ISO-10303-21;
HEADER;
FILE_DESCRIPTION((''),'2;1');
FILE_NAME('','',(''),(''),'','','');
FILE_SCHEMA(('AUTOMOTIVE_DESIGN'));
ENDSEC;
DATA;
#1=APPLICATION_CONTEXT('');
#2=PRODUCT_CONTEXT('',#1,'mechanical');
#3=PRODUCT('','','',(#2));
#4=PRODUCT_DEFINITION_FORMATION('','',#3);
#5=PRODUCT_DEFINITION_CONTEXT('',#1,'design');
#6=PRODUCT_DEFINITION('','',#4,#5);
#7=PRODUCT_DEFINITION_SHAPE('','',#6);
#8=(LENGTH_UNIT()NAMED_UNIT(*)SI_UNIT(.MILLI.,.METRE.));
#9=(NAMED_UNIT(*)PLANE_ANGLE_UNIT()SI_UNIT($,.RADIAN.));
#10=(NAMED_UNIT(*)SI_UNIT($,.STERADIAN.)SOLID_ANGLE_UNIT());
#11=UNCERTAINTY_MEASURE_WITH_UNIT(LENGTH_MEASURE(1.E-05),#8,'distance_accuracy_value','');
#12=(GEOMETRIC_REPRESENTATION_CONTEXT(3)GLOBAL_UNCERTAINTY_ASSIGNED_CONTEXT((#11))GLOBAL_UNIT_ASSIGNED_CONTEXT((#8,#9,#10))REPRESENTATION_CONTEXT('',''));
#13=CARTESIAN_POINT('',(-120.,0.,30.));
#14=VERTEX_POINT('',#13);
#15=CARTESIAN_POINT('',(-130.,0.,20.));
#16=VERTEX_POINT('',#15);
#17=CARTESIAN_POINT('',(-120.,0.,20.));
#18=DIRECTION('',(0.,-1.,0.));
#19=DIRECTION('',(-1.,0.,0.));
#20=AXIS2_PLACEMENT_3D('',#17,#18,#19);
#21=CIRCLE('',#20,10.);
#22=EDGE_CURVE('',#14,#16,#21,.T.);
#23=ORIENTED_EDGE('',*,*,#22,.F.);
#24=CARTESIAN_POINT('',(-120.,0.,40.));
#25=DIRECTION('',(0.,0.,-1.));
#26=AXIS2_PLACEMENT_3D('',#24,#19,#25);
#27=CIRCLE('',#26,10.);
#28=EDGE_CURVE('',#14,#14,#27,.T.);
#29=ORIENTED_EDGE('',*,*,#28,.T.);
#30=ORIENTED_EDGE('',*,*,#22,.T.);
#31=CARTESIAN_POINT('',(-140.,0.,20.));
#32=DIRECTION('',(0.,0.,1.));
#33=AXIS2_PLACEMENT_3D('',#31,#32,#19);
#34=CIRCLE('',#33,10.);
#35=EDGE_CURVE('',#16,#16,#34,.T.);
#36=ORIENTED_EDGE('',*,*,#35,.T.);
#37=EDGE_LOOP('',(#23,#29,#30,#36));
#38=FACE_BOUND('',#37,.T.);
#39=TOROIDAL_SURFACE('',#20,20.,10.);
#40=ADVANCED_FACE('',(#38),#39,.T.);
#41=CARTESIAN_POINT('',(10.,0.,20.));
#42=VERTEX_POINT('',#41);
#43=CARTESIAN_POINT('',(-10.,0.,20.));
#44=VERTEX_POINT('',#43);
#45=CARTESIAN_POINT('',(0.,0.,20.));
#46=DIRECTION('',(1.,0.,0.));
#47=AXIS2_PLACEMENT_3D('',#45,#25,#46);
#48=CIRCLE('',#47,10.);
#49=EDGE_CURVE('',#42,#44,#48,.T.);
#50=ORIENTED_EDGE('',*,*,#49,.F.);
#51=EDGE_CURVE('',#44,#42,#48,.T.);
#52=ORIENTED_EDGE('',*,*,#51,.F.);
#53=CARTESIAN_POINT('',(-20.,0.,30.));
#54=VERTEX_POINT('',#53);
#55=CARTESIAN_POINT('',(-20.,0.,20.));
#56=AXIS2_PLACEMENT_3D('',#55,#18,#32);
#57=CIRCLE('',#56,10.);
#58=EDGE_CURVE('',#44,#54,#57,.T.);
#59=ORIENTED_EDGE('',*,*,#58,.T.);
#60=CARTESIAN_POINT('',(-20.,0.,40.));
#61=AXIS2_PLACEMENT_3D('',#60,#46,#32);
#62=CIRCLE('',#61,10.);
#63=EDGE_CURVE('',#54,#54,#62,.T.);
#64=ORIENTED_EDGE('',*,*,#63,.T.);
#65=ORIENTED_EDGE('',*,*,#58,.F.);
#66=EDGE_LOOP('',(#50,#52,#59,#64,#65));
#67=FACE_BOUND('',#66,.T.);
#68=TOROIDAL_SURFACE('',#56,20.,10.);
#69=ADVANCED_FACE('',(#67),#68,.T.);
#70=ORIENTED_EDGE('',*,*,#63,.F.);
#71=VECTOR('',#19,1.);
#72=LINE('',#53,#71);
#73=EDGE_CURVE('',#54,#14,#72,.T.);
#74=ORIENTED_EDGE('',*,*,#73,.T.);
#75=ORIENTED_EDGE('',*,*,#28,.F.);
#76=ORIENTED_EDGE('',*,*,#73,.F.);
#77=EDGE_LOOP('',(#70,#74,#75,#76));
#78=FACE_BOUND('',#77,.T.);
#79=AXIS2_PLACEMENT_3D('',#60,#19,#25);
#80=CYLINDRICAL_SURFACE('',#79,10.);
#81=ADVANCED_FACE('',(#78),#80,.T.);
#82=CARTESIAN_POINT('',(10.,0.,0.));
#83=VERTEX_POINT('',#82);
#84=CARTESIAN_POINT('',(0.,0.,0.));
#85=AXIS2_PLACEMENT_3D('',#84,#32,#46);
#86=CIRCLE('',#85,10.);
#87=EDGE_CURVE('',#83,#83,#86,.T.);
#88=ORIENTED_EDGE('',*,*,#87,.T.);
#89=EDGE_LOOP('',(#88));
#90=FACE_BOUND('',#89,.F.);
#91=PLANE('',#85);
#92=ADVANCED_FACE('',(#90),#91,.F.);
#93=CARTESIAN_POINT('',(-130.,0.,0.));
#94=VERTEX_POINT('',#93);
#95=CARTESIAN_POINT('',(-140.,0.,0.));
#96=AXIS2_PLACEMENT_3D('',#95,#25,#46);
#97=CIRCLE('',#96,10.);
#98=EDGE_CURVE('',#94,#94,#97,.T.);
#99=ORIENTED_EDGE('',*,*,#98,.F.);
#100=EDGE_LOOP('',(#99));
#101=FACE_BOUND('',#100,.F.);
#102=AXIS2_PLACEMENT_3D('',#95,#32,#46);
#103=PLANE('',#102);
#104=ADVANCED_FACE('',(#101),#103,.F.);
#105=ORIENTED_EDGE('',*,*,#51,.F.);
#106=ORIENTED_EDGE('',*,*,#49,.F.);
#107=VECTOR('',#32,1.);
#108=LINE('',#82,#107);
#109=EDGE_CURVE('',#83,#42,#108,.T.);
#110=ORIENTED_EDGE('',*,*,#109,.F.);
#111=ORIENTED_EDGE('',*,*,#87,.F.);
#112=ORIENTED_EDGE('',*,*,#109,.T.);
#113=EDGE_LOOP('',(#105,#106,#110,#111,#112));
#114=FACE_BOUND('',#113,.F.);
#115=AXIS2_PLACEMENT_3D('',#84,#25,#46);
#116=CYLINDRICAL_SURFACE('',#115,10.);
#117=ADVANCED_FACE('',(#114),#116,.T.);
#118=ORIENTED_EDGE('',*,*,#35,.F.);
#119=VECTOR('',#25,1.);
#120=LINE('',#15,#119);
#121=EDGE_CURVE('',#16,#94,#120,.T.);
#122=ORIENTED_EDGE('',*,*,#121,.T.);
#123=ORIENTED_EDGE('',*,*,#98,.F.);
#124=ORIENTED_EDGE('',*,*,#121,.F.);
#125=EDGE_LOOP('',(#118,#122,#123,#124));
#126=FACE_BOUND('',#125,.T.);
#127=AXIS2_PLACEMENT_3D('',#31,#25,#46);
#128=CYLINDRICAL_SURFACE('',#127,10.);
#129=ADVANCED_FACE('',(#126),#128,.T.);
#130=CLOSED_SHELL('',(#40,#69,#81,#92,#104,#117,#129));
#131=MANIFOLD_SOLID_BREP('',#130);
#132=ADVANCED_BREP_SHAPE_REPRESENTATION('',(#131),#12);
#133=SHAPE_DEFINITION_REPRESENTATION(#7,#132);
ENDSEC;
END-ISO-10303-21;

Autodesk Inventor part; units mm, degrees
ref_plane "YZ Plane" through (0, 0, 0) normal (1, 0, 0) x (0, 1, 0)
ref_plane "XZ Plane" through (0, 0, 0) normal (0, 1, 0) x (-1, 0, 0)
ref_plane "XY Plane" through (0, 0, 0) normal (0, 0, 1) x (1, 0, 0)
sketch "Sketch1" plane through (0, 0, 0) normal (0, 0, 1) x (1, 0, 0)
  circle A0 centre (0, 0) radius 10
  line L0 (0, 0) -> (-140, 0)
  line L1 (0, 0) -> (140, 0) construction
  circle A1 centre (-140, 0) radius 10
  dimension "d0" = 20
  dimension "d1" = 140
  dimension "d2" = 180
  dimension "d3" = 20
sketch "Sketch2" plane through (0, 0, 0) normal (0, 1, 0) x (-1, 0, 0)
  line L0 (0, 0) -> (0, 20)
  line L1 (20, 40) -> (120, 40)
  line L2 (140, 20) -> (140, 0)
  arc A0 (140, 20) -> (120, 40) centre (120, 20) ccw
  arc A1 (20, 40) -> (0, 20) centre (20, 20) ccw
  point P0 (0, 40)
  point P1 (140, 40)
  dimension "d4" = 40
  dimension "d5" = 140
  dimension "d6" = 20
sweep "Sweep1" add profiles "Sketch1" path "Sketch2" path curves L2 A0 L1 A1 contours A1
extrude "Extrusion1" add sketch "Sketch1" along normal up to surface (20 mm away) contours A0
properties part number "handle_140_20"
